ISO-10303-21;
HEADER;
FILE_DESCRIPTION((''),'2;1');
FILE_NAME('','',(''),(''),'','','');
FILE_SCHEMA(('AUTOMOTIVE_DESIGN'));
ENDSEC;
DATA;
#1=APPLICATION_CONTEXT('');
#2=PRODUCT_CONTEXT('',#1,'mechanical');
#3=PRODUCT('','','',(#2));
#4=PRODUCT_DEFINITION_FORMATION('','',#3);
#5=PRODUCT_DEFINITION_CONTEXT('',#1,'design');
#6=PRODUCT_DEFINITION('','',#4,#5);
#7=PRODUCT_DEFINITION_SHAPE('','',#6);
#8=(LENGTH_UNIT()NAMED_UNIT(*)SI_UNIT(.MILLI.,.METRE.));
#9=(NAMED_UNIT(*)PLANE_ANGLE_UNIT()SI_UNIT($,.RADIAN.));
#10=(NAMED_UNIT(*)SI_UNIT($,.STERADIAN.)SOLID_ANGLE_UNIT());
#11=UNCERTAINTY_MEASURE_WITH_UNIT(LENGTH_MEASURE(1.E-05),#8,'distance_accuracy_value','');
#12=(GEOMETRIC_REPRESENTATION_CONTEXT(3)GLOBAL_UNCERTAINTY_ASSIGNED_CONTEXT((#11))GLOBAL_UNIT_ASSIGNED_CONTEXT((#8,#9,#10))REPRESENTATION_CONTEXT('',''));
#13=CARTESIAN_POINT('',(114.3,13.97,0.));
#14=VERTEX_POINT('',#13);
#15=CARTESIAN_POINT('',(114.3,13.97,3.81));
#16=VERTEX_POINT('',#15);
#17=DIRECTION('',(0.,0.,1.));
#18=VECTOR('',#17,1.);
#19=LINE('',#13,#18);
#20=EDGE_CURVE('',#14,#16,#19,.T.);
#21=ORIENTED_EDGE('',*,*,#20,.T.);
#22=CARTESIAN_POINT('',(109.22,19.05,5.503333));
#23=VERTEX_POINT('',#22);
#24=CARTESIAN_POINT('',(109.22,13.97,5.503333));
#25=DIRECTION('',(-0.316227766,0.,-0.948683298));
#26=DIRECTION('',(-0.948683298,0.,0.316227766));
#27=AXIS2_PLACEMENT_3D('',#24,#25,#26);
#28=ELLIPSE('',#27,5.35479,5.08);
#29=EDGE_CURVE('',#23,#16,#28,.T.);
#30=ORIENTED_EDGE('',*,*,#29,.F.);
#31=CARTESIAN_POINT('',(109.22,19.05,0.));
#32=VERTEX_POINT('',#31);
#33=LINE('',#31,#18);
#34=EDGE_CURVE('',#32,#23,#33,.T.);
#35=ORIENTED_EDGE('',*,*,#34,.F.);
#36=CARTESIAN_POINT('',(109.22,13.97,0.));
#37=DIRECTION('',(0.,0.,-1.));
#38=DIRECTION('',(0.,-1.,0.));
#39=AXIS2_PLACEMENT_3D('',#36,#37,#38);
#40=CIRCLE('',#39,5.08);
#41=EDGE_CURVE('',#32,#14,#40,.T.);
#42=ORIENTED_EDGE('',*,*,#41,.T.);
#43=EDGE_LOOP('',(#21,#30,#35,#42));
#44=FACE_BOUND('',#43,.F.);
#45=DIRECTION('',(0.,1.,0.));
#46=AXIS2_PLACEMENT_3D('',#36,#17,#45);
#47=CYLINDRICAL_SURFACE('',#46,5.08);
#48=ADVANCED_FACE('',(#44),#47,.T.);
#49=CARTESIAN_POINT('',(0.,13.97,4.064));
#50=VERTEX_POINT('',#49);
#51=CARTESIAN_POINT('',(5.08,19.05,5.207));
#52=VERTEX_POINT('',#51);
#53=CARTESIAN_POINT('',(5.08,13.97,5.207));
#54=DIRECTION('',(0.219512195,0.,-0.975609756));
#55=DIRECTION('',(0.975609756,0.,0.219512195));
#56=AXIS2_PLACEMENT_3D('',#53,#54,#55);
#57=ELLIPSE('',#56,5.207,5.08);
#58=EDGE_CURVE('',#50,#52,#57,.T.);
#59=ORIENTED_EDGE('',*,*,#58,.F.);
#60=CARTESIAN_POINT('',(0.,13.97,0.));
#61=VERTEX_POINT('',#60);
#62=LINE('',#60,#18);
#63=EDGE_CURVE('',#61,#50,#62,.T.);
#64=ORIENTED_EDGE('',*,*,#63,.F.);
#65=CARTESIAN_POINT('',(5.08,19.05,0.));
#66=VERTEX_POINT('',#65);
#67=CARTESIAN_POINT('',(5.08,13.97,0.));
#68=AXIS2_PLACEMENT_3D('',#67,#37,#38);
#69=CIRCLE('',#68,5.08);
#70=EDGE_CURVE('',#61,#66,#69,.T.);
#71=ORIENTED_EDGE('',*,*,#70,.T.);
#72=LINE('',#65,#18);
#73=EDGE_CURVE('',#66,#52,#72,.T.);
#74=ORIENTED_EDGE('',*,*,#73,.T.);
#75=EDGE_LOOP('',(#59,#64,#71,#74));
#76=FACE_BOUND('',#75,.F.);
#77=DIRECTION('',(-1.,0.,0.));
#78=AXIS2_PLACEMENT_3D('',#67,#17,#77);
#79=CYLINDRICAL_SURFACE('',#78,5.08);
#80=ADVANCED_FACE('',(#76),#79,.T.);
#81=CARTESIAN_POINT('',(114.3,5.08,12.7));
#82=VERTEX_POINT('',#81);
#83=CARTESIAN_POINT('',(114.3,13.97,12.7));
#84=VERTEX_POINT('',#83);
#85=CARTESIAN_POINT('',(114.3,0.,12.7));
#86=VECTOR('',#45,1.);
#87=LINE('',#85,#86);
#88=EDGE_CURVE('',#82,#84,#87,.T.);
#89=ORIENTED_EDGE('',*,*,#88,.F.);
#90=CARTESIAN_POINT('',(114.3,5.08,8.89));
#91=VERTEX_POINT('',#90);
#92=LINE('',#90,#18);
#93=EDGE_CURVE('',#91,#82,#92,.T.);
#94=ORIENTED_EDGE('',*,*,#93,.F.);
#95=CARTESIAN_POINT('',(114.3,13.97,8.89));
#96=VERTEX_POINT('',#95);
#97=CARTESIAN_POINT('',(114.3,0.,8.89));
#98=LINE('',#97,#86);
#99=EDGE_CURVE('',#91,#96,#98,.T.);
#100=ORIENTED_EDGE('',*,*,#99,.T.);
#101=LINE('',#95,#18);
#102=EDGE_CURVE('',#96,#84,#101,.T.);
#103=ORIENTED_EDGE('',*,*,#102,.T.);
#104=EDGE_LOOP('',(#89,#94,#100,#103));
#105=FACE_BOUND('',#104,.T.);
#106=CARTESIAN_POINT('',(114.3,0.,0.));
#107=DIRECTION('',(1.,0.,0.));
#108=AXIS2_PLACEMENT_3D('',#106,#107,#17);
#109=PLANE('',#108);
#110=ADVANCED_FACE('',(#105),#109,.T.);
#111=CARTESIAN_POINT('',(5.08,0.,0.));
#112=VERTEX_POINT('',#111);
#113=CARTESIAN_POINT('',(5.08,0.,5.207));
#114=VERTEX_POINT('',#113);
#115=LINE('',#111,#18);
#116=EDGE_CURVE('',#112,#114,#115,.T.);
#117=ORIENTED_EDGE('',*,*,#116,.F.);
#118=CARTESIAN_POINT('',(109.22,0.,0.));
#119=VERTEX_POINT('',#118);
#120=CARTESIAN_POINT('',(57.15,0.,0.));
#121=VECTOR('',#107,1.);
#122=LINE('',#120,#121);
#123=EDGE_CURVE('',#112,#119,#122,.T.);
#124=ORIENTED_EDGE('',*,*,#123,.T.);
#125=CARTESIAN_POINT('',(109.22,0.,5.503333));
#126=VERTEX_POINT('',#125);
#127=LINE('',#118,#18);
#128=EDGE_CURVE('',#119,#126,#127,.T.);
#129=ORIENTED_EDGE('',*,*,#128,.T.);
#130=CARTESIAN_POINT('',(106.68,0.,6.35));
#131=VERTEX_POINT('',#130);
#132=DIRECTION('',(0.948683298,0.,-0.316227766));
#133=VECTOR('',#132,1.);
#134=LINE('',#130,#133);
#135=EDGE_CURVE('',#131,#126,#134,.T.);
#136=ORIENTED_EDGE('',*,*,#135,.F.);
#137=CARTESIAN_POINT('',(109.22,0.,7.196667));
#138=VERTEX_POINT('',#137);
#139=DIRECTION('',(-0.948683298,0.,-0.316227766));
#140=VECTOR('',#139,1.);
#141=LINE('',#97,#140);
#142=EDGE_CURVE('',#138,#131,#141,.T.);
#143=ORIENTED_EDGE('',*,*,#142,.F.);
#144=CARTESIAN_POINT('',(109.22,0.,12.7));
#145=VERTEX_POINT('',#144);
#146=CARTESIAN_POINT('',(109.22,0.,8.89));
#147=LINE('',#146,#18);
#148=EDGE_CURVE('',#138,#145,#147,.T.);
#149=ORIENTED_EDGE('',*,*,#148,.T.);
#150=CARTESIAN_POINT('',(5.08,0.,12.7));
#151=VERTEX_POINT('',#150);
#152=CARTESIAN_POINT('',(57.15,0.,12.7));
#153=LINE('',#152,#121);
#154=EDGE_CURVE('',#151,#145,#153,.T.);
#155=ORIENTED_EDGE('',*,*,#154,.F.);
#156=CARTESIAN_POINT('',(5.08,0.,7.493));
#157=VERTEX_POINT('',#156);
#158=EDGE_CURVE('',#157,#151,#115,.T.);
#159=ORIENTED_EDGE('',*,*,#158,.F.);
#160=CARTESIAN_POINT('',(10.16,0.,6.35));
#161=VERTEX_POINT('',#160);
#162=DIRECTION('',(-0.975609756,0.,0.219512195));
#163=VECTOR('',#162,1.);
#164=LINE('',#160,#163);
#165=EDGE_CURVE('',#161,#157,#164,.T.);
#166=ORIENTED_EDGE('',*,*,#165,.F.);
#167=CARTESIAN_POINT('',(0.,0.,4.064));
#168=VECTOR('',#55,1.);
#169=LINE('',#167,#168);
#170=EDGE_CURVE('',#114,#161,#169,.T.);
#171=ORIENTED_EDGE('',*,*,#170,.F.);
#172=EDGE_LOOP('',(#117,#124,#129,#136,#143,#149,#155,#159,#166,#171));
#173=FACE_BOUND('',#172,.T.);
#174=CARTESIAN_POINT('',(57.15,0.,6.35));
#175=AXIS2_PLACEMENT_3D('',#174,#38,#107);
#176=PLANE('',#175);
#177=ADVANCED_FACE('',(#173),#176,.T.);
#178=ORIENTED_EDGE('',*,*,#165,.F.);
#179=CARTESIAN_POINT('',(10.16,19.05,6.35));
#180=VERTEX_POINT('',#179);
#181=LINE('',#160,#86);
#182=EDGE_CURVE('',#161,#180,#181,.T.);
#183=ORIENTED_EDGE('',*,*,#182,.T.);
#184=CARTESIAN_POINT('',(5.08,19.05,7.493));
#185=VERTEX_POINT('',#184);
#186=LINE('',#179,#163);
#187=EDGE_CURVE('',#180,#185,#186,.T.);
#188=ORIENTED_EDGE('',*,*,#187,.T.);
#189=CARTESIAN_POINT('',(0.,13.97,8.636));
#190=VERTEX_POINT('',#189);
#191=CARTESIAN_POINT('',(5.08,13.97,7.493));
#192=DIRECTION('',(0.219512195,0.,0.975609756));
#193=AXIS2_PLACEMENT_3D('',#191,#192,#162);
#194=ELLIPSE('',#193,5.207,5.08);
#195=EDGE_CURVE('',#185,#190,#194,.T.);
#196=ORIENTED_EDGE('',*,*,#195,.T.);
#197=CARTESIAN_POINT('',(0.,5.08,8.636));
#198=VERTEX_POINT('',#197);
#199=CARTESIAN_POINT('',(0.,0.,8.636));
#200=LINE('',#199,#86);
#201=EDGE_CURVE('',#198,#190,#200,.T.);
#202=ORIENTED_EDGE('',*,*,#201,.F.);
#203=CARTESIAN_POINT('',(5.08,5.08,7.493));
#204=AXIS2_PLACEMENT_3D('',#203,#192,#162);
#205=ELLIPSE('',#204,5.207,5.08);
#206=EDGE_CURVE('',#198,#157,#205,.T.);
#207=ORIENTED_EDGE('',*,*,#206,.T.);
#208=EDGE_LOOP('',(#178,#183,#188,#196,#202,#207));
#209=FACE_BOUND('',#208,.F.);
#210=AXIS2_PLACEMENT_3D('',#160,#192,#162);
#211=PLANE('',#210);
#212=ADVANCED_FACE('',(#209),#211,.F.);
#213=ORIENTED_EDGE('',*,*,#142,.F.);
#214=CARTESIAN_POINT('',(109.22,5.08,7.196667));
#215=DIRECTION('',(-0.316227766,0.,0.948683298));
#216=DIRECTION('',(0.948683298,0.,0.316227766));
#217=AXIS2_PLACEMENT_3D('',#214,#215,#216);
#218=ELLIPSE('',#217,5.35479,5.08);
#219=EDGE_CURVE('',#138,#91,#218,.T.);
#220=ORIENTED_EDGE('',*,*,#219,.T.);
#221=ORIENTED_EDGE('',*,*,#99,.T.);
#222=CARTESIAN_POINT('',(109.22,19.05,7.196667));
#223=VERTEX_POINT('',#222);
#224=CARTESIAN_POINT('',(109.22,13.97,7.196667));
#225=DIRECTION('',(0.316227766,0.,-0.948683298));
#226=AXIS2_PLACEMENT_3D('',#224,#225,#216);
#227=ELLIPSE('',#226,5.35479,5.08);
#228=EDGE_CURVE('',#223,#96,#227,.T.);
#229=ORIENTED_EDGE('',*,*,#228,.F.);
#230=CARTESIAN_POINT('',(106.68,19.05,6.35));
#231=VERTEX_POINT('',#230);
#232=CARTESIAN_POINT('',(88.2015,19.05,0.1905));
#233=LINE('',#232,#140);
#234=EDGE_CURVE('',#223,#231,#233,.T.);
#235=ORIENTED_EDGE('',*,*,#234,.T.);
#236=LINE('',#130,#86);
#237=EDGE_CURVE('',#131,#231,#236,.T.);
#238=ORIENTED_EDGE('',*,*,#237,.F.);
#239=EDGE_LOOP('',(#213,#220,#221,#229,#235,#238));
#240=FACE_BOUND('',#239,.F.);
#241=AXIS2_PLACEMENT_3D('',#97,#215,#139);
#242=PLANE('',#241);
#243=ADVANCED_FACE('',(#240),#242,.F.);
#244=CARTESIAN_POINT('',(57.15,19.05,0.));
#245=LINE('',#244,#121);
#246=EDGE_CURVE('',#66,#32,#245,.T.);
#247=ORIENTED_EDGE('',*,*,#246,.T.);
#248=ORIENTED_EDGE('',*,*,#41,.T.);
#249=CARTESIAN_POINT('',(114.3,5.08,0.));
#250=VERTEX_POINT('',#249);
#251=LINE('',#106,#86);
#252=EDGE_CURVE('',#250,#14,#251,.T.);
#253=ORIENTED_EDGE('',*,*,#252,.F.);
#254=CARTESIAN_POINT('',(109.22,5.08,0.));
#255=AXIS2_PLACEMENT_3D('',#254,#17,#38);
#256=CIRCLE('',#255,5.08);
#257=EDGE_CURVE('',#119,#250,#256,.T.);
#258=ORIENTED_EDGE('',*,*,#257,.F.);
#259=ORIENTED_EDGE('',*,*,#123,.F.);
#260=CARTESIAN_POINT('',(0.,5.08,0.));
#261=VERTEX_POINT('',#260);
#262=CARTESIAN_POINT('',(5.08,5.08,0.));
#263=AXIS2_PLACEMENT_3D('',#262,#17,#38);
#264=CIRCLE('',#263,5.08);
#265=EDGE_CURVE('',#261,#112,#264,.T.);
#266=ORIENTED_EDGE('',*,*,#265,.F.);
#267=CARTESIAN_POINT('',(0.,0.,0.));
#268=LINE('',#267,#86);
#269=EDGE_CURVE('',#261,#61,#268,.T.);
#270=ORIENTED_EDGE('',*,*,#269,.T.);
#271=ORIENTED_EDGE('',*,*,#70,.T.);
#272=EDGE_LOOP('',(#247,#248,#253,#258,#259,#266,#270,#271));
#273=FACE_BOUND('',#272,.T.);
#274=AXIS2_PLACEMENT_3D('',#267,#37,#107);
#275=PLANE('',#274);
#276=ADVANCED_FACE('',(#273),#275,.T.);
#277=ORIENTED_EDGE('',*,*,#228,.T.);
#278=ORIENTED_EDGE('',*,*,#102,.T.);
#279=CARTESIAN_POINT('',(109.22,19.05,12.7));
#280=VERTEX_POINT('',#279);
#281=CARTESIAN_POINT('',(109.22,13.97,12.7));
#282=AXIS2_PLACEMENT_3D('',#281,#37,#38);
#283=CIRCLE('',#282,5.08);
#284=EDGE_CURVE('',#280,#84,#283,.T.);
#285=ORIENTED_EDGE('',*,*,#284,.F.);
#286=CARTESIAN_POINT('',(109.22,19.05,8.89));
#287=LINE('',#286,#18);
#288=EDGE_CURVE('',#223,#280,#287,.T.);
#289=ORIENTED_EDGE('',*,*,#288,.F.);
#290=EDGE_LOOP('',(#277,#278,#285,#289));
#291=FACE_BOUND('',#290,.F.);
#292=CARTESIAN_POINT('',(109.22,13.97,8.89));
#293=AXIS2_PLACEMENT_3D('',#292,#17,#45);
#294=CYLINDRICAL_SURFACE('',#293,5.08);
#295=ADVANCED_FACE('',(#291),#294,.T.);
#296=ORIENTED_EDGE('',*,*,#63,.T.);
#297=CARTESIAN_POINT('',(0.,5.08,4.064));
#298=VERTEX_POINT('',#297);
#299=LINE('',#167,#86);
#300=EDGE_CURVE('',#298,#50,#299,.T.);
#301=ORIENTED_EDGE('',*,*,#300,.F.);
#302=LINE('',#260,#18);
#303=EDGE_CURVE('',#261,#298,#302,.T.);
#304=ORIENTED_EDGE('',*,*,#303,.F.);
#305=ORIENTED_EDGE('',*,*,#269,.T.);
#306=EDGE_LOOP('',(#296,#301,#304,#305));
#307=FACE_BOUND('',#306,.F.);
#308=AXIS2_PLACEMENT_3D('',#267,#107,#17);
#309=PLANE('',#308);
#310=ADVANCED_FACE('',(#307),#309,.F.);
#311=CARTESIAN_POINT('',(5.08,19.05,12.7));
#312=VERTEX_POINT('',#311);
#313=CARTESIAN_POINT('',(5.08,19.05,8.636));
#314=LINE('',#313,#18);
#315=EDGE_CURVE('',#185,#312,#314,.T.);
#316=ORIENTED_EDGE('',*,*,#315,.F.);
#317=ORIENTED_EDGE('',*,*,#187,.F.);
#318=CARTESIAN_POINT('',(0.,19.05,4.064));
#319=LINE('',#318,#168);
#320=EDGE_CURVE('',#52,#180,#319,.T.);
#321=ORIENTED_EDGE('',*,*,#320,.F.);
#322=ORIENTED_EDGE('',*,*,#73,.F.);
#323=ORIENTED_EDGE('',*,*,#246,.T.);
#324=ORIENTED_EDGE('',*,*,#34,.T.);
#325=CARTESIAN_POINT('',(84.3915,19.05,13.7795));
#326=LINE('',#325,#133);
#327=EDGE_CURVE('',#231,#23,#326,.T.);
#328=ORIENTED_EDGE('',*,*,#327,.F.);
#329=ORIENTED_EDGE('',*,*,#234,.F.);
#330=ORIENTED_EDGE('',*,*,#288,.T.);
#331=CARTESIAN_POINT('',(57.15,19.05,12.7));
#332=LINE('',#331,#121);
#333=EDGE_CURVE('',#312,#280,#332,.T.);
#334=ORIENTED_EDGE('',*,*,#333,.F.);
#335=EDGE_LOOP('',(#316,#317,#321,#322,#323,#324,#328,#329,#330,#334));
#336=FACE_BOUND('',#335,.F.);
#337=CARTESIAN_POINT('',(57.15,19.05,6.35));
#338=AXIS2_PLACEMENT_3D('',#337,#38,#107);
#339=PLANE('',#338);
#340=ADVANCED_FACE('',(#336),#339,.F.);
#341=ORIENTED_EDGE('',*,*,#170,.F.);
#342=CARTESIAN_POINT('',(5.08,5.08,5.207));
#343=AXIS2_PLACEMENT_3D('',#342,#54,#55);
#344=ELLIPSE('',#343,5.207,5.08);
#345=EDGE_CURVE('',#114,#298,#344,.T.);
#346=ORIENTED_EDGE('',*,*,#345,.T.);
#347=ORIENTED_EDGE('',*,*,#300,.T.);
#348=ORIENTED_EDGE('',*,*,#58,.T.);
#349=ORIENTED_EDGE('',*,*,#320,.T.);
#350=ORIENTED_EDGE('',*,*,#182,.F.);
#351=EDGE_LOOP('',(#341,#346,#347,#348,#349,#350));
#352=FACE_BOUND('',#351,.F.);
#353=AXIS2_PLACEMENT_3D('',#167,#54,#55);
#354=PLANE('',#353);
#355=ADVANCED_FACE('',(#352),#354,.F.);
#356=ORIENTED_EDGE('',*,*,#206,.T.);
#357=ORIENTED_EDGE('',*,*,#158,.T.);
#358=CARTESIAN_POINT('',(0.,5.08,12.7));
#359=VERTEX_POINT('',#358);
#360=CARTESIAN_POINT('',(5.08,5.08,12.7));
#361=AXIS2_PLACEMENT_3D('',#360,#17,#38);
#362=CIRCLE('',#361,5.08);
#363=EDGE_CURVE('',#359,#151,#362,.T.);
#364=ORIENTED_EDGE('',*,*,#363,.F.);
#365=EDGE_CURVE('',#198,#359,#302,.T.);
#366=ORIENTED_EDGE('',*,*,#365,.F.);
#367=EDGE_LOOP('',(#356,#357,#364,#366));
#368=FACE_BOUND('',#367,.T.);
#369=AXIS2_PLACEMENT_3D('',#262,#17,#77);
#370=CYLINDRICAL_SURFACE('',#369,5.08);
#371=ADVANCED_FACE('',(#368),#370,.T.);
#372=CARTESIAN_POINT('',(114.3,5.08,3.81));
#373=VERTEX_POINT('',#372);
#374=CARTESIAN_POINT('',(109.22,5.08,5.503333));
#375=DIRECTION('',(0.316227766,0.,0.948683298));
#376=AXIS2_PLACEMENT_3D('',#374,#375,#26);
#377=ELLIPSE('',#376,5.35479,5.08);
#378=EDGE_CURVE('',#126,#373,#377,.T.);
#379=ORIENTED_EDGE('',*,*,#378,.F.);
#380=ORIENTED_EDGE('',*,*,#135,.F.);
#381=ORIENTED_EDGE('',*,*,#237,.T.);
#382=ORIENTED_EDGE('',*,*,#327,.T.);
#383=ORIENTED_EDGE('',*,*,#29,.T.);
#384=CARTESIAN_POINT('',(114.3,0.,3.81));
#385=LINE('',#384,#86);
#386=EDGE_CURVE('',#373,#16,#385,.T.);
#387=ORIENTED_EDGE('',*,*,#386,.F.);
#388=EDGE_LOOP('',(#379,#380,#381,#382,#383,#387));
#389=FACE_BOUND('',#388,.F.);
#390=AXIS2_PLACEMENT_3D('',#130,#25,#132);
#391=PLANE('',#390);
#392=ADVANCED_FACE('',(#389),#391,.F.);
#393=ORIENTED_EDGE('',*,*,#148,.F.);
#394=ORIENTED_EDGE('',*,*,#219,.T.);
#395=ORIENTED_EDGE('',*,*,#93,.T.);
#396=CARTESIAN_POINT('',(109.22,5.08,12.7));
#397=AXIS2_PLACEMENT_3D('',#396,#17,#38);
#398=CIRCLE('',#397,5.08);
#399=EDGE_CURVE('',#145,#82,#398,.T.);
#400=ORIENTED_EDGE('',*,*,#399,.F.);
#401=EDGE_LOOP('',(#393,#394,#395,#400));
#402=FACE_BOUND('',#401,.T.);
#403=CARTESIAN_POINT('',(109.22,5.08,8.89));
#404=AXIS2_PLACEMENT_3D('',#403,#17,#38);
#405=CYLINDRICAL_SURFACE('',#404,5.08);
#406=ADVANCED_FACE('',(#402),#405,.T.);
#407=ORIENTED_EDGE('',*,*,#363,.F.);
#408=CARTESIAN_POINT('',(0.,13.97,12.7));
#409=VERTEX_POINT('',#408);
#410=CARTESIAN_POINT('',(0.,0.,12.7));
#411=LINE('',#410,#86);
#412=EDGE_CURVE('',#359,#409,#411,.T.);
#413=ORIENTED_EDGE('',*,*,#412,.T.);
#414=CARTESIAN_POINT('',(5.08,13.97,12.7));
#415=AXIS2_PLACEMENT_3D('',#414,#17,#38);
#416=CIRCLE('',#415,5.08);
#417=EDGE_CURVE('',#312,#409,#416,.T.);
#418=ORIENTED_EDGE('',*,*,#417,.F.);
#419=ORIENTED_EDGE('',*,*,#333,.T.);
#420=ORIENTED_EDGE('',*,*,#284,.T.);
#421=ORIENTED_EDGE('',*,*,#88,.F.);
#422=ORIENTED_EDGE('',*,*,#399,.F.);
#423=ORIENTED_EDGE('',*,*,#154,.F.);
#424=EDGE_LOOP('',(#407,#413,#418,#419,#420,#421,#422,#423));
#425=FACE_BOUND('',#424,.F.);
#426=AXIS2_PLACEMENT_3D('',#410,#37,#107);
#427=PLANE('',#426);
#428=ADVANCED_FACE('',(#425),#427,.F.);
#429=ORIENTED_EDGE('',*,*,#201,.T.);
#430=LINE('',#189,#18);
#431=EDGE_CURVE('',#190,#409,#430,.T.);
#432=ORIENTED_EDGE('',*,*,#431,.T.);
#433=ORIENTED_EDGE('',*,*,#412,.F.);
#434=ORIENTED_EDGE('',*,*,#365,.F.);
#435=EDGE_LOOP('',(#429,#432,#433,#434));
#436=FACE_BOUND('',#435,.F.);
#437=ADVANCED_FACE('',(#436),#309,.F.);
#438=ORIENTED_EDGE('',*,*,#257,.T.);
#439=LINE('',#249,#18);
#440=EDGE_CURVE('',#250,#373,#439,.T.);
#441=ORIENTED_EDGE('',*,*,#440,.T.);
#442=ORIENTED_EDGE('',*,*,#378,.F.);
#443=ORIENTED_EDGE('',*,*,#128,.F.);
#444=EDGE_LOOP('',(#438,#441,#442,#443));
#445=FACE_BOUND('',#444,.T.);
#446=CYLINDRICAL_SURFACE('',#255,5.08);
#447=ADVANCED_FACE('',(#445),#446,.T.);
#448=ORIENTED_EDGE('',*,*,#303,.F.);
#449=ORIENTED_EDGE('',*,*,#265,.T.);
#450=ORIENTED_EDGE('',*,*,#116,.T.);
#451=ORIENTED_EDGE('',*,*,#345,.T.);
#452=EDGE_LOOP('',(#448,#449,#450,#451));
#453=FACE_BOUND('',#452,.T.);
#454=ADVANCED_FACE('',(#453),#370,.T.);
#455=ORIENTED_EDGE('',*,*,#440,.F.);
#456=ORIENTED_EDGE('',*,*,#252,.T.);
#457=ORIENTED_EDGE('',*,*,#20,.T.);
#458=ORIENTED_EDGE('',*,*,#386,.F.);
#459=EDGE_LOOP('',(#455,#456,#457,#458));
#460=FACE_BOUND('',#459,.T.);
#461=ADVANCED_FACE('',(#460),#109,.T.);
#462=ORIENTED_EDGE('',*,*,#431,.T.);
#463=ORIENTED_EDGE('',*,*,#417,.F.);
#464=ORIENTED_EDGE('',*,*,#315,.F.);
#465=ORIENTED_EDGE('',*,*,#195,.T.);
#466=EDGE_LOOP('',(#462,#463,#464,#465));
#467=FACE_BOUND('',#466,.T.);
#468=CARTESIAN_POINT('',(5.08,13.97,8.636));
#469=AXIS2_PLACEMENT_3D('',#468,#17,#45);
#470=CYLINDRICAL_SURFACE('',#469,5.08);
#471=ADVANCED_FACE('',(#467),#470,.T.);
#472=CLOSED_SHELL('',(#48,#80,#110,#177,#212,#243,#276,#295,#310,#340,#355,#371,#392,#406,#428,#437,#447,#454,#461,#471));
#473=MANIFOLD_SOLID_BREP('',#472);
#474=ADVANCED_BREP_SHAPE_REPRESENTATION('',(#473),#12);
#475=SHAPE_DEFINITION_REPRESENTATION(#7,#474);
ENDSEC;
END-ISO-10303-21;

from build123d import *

# Parameters (mm, degrees)
F0_W     = 114.3
F0_H     = 12.7
F1_DEPTH = 19.05
F3_R     = 5.08
F4_DEPTH = 19.05
F5_R     = 5.08
F7_DEPTH = 25.4
F8_R     = 5.08


with BuildPart() as f1:
    # F0 (on Front) → F1 (new body)
    with BuildSketch(Plane.XZ):
        with Locations((57.15, 6.35)):
            Rectangle(F0_W, F0_H)
    extrude(amount=-F1_DEPTH)

    # F3
    f3_edges = [f1.edges().sort_by_distance(p)[0] for p in [
        (0, 0, 6.35),
    ]]
    fillet(f3_edges, radius=F3_R)

    # F2 (on face) → F4 (cut)
    with BuildSketch(Plane.XZ):
        Polygon((10.16, 6.35), (0, 8.636), (0, 4.064), align=None)
    extrude(amount=-F4_DEPTH, mode=Mode.SUBTRACT)

    # F5
    f5_edges = [f1.edges().sort_by_distance(p)[0] for p in [
        (0, 19.05, 10.668),
        (0, 19.05, 2.032),
    ]]
    fillet(f5_edges, radius=F5_R)

    # F6 (on face) → F7 (cut)
    with BuildSketch(Plane.XZ):
        Polygon((114.3, 3.81), (114.3, 8.89), (106.68, 6.35), align=None)
    extrude(amount=-F7_DEPTH, mode=Mode.SUBTRACT)

    # F8
    f8_edges = [f1.edges().sort_by_distance(p)[0] for p in [
        (114.3, 0, 10.795),
        (114.3, 0, 1.905),
        (114.3, 19.05, 10.795),
        (114.3, 19.05, 1.905),
    ]]
    fillet(f8_edges, radius=F8_R)


solid = f1.part
